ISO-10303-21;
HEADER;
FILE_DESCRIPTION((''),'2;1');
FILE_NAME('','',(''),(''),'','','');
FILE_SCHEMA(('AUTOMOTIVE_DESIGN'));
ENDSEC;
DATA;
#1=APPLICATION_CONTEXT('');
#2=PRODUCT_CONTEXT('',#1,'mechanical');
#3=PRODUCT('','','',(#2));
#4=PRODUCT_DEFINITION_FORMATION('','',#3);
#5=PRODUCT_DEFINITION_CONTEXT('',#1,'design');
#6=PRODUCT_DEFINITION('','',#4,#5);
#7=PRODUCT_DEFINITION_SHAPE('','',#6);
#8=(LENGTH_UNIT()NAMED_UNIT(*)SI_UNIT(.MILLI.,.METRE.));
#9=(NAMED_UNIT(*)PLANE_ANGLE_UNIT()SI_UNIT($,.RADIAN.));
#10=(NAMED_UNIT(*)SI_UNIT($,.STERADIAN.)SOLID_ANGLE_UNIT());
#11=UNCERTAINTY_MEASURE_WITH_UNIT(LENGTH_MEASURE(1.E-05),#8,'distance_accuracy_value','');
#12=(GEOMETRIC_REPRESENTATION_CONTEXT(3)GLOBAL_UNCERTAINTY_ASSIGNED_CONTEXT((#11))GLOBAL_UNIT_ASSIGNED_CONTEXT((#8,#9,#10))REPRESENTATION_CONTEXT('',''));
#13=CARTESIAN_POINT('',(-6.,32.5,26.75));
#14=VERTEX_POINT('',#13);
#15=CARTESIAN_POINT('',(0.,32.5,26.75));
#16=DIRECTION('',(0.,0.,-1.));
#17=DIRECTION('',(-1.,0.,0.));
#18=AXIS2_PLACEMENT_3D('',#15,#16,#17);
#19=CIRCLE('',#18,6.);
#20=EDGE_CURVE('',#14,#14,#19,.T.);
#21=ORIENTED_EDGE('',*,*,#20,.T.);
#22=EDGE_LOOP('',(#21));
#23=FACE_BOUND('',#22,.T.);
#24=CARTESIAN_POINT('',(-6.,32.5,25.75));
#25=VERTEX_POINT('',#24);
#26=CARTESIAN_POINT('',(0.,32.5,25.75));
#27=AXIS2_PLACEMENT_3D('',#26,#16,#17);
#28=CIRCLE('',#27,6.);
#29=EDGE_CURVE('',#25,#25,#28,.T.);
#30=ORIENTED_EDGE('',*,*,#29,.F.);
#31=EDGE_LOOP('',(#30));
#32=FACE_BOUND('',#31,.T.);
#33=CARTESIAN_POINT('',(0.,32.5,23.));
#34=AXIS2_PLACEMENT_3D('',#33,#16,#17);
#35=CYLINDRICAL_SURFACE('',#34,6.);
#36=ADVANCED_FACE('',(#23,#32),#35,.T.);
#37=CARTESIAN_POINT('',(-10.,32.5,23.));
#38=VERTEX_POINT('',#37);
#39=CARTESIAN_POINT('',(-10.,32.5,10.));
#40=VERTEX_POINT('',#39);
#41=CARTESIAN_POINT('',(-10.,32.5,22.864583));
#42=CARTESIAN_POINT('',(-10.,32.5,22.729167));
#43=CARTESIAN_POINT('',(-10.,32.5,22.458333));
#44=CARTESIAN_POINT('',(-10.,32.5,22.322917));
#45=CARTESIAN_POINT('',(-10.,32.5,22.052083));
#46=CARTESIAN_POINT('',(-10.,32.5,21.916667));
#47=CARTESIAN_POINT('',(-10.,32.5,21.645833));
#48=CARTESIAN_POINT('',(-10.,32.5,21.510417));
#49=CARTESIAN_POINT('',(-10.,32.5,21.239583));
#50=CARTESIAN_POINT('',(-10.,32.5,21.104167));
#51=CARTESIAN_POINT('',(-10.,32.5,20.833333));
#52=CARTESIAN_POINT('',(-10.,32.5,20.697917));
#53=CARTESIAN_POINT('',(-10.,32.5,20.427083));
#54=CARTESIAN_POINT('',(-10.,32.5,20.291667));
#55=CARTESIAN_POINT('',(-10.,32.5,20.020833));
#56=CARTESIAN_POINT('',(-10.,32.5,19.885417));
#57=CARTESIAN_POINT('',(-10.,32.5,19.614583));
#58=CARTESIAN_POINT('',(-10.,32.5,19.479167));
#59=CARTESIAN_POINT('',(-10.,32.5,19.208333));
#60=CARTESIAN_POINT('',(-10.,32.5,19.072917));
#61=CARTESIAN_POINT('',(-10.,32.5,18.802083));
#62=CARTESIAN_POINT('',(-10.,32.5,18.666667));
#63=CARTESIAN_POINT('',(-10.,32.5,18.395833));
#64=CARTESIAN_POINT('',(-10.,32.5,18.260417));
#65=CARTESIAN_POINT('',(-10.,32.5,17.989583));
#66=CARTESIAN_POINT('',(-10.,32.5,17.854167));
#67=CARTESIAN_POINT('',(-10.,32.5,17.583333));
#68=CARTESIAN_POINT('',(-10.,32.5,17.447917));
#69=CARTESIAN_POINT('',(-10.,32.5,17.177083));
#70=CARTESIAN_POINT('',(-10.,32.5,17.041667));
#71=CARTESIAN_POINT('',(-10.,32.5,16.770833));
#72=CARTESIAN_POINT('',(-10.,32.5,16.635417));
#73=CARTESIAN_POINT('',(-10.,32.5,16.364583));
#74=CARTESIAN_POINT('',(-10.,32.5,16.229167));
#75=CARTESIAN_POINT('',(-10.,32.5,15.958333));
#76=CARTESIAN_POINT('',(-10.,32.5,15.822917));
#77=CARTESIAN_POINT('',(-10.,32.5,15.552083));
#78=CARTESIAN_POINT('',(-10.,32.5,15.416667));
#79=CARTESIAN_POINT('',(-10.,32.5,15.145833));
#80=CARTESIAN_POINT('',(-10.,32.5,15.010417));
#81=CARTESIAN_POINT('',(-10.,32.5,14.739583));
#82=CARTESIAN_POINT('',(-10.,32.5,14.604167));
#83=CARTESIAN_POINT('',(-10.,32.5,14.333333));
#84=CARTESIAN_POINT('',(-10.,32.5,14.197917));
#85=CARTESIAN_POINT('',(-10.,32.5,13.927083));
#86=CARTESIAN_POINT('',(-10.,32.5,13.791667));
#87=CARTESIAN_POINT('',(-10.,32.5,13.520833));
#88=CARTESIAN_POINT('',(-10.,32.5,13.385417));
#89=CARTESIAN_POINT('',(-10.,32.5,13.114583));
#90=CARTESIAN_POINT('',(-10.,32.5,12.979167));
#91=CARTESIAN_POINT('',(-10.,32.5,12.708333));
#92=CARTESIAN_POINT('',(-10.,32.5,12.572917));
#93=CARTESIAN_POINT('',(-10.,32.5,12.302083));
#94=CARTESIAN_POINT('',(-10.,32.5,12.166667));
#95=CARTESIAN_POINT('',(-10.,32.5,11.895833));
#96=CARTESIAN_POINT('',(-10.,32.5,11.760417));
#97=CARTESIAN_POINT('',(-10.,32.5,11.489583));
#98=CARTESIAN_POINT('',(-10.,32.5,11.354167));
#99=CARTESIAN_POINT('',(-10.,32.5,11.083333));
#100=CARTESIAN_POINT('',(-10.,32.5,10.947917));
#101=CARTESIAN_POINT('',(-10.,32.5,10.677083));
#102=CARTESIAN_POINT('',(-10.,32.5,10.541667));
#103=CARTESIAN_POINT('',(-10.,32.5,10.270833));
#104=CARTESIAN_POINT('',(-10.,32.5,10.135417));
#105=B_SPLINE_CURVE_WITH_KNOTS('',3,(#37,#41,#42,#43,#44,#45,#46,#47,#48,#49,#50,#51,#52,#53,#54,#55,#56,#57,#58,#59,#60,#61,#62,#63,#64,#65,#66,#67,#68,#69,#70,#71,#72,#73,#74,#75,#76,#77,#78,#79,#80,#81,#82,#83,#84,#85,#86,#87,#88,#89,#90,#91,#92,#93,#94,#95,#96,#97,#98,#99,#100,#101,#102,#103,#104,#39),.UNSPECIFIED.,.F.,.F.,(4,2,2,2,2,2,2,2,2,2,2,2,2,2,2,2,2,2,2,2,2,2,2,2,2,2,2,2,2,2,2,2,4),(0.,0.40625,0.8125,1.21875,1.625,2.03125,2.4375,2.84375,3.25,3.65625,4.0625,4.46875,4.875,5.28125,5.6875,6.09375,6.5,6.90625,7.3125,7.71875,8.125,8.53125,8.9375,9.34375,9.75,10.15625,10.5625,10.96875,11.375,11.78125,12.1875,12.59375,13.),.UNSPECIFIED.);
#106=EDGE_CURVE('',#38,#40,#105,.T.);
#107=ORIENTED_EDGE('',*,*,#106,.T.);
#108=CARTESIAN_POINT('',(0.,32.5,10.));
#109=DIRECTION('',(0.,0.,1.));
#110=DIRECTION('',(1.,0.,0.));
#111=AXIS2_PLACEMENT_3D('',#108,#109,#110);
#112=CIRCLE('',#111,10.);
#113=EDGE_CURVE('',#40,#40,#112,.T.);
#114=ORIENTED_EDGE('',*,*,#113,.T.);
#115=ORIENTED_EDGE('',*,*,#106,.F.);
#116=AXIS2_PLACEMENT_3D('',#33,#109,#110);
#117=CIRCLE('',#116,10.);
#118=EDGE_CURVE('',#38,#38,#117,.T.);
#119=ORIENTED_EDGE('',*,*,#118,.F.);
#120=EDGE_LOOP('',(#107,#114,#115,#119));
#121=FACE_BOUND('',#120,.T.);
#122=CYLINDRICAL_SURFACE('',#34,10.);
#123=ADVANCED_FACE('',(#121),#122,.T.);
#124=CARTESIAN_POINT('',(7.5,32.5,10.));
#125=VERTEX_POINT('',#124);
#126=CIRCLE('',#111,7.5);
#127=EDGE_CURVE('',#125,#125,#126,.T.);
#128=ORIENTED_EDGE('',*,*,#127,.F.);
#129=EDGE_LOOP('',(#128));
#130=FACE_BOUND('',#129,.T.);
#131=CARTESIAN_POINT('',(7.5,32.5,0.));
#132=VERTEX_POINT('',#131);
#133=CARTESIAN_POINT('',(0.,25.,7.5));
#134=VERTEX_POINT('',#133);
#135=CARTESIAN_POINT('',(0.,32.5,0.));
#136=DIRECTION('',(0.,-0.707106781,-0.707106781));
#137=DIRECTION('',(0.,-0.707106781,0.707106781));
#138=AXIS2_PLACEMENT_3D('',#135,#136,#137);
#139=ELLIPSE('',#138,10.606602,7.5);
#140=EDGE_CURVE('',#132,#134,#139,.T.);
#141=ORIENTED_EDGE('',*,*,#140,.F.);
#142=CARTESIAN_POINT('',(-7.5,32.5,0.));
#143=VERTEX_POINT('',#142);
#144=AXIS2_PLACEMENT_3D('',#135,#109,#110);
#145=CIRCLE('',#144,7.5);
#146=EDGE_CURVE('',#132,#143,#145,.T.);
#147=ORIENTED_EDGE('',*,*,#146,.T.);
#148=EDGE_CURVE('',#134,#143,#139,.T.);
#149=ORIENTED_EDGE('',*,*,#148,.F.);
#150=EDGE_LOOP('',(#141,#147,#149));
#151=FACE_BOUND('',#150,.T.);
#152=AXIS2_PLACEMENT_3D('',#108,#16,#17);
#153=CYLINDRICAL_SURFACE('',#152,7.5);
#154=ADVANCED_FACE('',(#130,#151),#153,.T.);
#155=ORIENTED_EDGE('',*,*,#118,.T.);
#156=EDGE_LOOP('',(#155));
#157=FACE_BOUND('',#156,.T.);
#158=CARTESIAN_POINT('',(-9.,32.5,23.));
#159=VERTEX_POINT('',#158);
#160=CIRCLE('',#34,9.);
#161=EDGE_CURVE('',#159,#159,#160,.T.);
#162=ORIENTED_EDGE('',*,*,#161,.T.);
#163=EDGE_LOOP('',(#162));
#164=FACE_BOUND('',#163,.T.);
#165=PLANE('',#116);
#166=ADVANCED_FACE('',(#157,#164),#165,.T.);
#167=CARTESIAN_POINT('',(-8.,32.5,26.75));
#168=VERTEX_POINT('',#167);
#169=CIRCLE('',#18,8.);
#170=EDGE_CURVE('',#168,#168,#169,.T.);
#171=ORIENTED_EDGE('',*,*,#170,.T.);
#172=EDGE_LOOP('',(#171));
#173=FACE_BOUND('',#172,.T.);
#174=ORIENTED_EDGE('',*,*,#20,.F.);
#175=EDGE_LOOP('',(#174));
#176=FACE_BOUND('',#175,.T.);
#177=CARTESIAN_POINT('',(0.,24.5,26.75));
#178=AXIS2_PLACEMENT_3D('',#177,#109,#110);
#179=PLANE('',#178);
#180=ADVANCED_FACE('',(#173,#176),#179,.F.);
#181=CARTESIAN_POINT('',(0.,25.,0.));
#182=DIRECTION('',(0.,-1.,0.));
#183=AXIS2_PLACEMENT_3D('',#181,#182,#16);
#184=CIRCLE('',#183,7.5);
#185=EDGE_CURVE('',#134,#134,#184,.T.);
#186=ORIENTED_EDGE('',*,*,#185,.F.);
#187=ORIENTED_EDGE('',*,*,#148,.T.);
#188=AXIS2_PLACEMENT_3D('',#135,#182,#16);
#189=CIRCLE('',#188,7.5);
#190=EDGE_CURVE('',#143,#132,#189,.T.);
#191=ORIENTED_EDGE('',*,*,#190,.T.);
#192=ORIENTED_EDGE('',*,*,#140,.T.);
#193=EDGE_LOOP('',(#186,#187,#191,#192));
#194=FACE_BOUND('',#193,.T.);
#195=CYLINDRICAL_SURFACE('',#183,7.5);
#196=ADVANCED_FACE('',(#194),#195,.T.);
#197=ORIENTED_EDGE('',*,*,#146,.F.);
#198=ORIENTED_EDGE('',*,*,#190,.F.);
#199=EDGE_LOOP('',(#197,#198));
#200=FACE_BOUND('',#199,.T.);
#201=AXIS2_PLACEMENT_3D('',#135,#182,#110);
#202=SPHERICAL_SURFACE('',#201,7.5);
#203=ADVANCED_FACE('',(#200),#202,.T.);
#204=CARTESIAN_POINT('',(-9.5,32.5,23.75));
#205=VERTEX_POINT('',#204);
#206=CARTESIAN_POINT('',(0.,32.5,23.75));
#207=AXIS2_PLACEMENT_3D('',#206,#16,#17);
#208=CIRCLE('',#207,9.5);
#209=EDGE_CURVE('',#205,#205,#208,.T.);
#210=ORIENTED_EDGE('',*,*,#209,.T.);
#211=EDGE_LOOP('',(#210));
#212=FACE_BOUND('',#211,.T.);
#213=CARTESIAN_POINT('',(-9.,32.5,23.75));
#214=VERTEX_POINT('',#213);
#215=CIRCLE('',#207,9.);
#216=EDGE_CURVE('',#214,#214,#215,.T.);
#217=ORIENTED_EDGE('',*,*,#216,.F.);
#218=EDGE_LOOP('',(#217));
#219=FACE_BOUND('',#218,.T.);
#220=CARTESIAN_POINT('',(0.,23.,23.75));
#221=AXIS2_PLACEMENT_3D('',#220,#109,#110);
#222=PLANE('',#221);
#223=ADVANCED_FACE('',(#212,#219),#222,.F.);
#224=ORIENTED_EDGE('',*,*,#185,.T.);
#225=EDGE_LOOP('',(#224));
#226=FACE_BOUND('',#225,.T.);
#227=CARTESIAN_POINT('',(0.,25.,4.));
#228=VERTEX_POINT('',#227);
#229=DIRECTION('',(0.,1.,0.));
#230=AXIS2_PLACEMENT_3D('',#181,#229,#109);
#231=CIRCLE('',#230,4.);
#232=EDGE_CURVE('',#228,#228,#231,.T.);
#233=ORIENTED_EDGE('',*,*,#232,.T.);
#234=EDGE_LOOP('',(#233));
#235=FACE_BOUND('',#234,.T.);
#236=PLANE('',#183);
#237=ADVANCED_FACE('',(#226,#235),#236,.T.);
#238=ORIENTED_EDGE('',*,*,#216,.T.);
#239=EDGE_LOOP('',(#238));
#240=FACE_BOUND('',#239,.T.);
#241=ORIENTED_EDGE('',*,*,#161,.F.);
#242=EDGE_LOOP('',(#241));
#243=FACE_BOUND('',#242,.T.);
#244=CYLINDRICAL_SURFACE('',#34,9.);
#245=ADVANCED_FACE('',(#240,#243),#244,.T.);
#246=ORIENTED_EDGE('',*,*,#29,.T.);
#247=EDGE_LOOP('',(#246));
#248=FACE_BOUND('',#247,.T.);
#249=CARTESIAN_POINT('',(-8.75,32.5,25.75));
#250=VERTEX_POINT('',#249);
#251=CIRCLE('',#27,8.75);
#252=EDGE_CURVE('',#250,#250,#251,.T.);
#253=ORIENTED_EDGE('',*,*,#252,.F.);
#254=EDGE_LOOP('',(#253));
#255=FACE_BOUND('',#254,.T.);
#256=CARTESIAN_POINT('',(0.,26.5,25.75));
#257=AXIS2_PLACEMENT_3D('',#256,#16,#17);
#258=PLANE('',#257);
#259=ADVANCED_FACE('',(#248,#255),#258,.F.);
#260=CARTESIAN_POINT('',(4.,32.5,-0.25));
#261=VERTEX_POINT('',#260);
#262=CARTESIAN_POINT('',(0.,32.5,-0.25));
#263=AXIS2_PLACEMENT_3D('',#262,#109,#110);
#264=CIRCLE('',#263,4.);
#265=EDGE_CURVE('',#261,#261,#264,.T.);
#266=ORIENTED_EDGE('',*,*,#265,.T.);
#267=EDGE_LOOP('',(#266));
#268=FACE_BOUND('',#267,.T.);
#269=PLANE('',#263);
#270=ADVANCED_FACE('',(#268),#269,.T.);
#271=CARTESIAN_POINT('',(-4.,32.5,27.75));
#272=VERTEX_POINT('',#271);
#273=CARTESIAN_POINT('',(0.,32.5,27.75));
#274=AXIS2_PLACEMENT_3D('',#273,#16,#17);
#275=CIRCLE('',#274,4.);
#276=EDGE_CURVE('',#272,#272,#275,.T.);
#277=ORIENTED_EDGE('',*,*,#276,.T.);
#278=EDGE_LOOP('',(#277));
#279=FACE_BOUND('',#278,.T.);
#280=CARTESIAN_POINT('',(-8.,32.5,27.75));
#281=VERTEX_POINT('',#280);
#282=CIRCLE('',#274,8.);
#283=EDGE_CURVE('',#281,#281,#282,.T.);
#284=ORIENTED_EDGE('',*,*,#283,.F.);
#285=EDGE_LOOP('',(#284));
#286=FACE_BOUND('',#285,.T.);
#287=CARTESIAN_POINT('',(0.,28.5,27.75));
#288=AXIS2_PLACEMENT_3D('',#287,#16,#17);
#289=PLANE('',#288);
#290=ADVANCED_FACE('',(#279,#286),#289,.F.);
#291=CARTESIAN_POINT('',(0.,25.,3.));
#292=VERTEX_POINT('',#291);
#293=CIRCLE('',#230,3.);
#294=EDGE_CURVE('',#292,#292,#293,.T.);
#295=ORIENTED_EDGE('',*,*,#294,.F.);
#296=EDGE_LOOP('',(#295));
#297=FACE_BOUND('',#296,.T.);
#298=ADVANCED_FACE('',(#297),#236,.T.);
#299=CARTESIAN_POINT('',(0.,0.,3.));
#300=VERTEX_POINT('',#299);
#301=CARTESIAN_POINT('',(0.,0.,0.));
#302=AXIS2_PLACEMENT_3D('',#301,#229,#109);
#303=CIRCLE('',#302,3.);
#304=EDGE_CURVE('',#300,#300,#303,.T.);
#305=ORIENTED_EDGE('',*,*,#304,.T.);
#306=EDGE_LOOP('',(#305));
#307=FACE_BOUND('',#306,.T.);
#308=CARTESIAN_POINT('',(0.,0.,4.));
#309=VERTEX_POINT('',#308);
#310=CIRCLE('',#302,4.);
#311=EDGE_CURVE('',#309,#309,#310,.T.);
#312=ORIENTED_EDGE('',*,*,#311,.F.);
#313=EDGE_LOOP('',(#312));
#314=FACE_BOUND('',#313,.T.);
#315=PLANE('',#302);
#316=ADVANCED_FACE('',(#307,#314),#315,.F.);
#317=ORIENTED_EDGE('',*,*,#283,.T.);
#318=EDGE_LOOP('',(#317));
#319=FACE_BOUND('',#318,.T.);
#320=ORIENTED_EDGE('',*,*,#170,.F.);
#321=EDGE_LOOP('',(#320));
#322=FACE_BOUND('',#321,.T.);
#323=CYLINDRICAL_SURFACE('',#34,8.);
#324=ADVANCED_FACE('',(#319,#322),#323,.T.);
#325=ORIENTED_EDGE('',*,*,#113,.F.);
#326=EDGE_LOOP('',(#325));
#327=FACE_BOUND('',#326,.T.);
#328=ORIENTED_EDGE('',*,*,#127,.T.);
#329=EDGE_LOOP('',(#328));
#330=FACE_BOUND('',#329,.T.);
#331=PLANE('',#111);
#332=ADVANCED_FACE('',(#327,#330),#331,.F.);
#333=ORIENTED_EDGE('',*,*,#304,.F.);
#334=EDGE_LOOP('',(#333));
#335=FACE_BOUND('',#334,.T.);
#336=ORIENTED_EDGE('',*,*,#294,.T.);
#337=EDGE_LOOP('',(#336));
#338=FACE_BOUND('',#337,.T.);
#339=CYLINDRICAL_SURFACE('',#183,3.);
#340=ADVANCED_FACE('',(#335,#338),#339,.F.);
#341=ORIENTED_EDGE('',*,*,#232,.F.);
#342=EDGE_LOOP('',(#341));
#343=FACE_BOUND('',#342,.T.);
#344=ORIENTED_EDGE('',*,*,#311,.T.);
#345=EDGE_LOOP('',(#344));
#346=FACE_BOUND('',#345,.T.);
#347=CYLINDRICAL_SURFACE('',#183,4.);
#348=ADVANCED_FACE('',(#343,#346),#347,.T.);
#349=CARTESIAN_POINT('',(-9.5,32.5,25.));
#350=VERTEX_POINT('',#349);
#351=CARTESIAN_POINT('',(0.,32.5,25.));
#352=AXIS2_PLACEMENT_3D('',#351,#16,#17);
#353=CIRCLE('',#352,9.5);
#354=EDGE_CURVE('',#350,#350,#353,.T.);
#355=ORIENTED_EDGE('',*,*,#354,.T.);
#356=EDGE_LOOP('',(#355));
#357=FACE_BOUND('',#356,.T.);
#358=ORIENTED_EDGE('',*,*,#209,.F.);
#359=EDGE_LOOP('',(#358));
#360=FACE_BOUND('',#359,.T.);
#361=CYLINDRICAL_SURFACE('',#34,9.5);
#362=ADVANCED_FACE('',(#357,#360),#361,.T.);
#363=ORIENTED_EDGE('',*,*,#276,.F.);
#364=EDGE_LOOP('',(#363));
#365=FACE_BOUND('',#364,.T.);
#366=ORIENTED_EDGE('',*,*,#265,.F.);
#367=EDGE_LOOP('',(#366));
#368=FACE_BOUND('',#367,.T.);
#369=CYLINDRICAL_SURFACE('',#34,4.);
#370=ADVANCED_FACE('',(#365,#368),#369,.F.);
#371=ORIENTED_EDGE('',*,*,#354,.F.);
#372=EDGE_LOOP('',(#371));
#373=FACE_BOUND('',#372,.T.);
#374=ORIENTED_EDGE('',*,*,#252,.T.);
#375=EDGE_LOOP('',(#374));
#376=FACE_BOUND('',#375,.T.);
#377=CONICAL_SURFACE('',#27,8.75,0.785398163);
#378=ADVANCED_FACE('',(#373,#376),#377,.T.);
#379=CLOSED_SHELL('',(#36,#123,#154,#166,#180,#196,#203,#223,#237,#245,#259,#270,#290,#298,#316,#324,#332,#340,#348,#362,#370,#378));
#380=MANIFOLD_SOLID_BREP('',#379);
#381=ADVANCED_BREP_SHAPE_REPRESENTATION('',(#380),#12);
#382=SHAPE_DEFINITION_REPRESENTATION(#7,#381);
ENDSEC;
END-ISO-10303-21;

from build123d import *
from build123d.topology import SkipClean

# Parameters (mm, degrees)
SKETCH_1_R          = 4
SKETCH_1_R_2        = 3
EXTRUDE_1_DEPTH     = 25
SKETCH_3_R          = 7.5
EXTRUDE_2_DEPTH     = 10
SKETCH_4_R          = 10
EXTRUDE_3_DEPTH     = 13
SKETCH_6_R          = 4
CUT_EXTRUDE_1_DEPTH = 28


with BuildPart() as part:
    # Эскиз1 → Бобышка-Вытянуть1 (new body)
    with BuildSketch(Plane(origin=(0, 0, 0), x_dir=(1, 0, 0), z_dir=(0, 1, 0))):
        with Locations(Location((0, 0, 0), (0, 0, 270))):
            Circle(SKETCH_1_R)
        with Locations(Location((0, 0, 0), (0, 0, 270))):
            Circle(SKETCH_1_R_2, mode=Mode.SUBTRACT)
    extrude(amount=EXTRUDE_1_DEPTH)

    # Эскиз2 → Повернуть1 (revolve)
    with BuildSketch(Plane.XY, mode=Mode.PRIVATE) as revolve_1_sk:
        with BuildLine():
            Line((0, 25), (0, 40))
            ThreePointArc((0, 40), (5.303300859, 37.803300859), (7.5, 32.5))
            Line((7.5, 32.5), (7.5, 25))
            Line((7.5, 25), (0, 25))
        make_face()
    revolve(revolve_1_sk.sketch.rotate(Axis((0, 25, 0), (0, 1, 0)), 90), axis=Axis((0, 25, 0), (0, 1, 0)))

    # Эскиз3 → Бобышка-Вытянуть2 (add)
    with SkipClean():  # the faces are left unmerged after this step: merging them gives an invalid solid
        with BuildSketch(Plane.XY):
            with Locations((0, 32.5)):
                Circle(SKETCH_3_R)
        extrude(amount=EXTRUDE_2_DEPTH)

    # Эскиз4 → Бобышка-Вытянуть3 (add)
    with SkipClean():  # the faces are left unmerged after this step: merging them gives an invalid solid
        with BuildSketch(Plane.XY.offset(10)):
            with Locations(Location((0, 32.5, 0), (0, 0, 180))):
                Circle(SKETCH_4_R)
        extrude(amount=EXTRUDE_3_DEPTH)

    # Эскиз5 → Повернуть3 (revolve)
    with SkipClean():  # the faces are left unmerged after this step: merging them gives an invalid solid
        with BuildSketch(Plane(origin=(0, 0, 0), x_dir=(0, 0, -1), z_dir=(1, 0, 0)), mode=Mode.PRIVATE) as revolve_3_sk:
            Polygon((-26.75, 24.5), (-26.75, 26.5), (-25.75, 26.5), (-25.75, 23.75), (-25, 23), (-23.75, 23), (-23.75, 23.5), (-23, 23.5), (-23, 28.5), (-27.75, 28.5), (-27.75, 24.5), align=None)
        revolve(revolve_3_sk.sketch.rotate(Axis((0, 32.5, 23), (0, 0, 1)), 270), axis=Axis((0, 32.5, 23), (0, 0, 1)))

    # Эскиз6 → Вырез-Вытянуть1 (cut)
    with SkipClean():  # the faces are left unmerged after this step: merging them gives an invalid solid
        with BuildSketch(Plane.XY.offset(27.75)):
            with Locations(Location((0, 32.5, 0), (0, 0, 180))):
                Circle(SKETCH_6_R)
        extrude(amount=-CUT_EXTRUDE_1_DEPTH, mode=Mode.SUBTRACT)


solid = part.part
